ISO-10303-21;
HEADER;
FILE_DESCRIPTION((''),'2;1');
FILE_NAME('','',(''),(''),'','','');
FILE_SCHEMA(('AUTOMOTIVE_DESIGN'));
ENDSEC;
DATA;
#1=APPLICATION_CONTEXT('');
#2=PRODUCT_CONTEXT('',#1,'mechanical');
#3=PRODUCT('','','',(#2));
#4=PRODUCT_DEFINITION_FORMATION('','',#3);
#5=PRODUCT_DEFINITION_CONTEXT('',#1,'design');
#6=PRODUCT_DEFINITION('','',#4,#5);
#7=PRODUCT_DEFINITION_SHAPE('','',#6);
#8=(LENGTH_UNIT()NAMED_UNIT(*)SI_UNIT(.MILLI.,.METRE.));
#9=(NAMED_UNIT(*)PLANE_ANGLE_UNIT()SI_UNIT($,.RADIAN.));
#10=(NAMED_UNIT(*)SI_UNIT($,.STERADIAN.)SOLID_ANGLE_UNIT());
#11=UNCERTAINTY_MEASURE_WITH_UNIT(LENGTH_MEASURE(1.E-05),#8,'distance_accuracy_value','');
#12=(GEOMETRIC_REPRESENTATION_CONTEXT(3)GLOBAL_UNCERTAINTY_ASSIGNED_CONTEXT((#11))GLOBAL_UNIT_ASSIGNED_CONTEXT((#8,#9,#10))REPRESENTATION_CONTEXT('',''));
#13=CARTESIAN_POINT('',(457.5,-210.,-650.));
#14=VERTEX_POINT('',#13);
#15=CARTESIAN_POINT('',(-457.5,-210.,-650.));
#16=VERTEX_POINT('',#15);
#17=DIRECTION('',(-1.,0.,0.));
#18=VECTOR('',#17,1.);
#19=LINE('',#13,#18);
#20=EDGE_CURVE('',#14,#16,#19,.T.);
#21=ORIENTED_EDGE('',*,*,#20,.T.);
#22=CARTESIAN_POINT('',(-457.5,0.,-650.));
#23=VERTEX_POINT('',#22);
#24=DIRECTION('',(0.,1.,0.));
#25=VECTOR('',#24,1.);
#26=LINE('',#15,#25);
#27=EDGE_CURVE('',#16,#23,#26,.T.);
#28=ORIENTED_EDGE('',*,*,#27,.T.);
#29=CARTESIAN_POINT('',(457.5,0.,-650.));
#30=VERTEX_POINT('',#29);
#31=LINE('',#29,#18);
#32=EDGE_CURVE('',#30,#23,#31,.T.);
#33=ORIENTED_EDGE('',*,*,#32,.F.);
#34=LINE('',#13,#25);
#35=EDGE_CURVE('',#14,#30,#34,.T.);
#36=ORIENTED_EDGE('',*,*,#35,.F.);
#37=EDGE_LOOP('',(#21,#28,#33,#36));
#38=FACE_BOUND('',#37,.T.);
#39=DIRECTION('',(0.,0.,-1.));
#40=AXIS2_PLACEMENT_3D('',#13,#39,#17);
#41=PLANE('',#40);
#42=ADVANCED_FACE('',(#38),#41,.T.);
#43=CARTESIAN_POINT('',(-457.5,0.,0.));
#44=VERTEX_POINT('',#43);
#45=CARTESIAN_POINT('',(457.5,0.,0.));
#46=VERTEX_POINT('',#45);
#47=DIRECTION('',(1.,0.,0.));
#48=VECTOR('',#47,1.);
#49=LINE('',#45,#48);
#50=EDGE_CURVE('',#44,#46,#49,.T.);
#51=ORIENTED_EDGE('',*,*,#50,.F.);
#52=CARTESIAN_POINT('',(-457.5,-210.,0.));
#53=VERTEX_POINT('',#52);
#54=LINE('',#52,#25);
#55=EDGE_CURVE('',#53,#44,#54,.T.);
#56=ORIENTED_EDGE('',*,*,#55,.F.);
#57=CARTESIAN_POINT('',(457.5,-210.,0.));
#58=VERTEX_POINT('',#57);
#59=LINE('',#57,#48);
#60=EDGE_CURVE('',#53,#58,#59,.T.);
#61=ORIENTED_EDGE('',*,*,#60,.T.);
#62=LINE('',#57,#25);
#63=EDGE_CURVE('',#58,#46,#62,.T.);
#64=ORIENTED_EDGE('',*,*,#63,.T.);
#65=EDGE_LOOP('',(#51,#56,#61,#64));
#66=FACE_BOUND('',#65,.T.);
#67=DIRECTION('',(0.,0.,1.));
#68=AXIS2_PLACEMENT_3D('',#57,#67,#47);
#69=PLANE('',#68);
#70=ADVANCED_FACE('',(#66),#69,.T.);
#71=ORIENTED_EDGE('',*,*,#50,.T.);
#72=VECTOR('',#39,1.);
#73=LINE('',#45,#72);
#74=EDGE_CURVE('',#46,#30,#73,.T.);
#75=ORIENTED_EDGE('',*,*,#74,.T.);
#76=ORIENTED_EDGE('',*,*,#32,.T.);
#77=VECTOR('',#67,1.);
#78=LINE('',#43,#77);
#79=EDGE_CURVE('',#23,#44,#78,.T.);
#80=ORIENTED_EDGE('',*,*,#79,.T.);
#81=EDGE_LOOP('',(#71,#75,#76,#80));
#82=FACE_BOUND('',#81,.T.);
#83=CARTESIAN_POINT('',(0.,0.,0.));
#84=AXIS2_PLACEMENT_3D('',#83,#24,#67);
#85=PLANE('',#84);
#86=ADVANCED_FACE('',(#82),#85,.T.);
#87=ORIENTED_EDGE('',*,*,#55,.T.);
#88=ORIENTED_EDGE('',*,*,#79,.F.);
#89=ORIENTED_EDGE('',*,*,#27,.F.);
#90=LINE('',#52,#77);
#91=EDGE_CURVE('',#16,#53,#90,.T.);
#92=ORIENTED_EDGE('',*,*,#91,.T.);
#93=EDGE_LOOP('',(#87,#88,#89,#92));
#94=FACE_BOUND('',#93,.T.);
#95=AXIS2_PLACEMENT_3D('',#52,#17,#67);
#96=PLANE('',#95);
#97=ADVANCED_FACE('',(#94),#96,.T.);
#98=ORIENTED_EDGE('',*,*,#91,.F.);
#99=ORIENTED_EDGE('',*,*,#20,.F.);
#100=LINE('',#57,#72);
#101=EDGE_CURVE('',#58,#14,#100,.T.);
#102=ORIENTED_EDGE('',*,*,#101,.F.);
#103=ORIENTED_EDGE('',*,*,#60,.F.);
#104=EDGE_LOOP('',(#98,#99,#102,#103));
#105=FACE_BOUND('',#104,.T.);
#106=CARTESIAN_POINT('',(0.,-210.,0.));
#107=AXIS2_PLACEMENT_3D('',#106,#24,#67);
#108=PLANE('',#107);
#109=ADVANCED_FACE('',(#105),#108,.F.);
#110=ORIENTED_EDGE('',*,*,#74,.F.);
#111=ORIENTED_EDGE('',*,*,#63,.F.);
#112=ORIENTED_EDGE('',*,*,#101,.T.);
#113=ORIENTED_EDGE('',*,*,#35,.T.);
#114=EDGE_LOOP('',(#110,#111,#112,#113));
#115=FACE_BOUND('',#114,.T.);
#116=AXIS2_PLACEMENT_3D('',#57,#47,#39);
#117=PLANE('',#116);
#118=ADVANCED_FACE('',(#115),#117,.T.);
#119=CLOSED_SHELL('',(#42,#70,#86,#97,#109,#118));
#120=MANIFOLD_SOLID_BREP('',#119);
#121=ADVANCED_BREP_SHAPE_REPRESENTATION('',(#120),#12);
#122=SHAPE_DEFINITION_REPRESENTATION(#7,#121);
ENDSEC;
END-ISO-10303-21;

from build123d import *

# Parameters (mm, degrees)
SKETCH1_W           = 915
SKETCH1_H           = 650
BOSS_EXTRUDE1_DEPTH = 210


with BuildPart() as part:
    # Sketch1 → Boss-Extrude1 (new body)
    with BuildSketch(Plane(origin=(0, 0, 0), x_dir=(1, 0, 0), z_dir=(0, 1, 0))):
        with Locations((0, 325)):
            Rectangle(SKETCH1_W, SKETCH1_H)
    extrude(amount=-BOSS_EXTRUDE1_DEPTH)


solid = part.part
